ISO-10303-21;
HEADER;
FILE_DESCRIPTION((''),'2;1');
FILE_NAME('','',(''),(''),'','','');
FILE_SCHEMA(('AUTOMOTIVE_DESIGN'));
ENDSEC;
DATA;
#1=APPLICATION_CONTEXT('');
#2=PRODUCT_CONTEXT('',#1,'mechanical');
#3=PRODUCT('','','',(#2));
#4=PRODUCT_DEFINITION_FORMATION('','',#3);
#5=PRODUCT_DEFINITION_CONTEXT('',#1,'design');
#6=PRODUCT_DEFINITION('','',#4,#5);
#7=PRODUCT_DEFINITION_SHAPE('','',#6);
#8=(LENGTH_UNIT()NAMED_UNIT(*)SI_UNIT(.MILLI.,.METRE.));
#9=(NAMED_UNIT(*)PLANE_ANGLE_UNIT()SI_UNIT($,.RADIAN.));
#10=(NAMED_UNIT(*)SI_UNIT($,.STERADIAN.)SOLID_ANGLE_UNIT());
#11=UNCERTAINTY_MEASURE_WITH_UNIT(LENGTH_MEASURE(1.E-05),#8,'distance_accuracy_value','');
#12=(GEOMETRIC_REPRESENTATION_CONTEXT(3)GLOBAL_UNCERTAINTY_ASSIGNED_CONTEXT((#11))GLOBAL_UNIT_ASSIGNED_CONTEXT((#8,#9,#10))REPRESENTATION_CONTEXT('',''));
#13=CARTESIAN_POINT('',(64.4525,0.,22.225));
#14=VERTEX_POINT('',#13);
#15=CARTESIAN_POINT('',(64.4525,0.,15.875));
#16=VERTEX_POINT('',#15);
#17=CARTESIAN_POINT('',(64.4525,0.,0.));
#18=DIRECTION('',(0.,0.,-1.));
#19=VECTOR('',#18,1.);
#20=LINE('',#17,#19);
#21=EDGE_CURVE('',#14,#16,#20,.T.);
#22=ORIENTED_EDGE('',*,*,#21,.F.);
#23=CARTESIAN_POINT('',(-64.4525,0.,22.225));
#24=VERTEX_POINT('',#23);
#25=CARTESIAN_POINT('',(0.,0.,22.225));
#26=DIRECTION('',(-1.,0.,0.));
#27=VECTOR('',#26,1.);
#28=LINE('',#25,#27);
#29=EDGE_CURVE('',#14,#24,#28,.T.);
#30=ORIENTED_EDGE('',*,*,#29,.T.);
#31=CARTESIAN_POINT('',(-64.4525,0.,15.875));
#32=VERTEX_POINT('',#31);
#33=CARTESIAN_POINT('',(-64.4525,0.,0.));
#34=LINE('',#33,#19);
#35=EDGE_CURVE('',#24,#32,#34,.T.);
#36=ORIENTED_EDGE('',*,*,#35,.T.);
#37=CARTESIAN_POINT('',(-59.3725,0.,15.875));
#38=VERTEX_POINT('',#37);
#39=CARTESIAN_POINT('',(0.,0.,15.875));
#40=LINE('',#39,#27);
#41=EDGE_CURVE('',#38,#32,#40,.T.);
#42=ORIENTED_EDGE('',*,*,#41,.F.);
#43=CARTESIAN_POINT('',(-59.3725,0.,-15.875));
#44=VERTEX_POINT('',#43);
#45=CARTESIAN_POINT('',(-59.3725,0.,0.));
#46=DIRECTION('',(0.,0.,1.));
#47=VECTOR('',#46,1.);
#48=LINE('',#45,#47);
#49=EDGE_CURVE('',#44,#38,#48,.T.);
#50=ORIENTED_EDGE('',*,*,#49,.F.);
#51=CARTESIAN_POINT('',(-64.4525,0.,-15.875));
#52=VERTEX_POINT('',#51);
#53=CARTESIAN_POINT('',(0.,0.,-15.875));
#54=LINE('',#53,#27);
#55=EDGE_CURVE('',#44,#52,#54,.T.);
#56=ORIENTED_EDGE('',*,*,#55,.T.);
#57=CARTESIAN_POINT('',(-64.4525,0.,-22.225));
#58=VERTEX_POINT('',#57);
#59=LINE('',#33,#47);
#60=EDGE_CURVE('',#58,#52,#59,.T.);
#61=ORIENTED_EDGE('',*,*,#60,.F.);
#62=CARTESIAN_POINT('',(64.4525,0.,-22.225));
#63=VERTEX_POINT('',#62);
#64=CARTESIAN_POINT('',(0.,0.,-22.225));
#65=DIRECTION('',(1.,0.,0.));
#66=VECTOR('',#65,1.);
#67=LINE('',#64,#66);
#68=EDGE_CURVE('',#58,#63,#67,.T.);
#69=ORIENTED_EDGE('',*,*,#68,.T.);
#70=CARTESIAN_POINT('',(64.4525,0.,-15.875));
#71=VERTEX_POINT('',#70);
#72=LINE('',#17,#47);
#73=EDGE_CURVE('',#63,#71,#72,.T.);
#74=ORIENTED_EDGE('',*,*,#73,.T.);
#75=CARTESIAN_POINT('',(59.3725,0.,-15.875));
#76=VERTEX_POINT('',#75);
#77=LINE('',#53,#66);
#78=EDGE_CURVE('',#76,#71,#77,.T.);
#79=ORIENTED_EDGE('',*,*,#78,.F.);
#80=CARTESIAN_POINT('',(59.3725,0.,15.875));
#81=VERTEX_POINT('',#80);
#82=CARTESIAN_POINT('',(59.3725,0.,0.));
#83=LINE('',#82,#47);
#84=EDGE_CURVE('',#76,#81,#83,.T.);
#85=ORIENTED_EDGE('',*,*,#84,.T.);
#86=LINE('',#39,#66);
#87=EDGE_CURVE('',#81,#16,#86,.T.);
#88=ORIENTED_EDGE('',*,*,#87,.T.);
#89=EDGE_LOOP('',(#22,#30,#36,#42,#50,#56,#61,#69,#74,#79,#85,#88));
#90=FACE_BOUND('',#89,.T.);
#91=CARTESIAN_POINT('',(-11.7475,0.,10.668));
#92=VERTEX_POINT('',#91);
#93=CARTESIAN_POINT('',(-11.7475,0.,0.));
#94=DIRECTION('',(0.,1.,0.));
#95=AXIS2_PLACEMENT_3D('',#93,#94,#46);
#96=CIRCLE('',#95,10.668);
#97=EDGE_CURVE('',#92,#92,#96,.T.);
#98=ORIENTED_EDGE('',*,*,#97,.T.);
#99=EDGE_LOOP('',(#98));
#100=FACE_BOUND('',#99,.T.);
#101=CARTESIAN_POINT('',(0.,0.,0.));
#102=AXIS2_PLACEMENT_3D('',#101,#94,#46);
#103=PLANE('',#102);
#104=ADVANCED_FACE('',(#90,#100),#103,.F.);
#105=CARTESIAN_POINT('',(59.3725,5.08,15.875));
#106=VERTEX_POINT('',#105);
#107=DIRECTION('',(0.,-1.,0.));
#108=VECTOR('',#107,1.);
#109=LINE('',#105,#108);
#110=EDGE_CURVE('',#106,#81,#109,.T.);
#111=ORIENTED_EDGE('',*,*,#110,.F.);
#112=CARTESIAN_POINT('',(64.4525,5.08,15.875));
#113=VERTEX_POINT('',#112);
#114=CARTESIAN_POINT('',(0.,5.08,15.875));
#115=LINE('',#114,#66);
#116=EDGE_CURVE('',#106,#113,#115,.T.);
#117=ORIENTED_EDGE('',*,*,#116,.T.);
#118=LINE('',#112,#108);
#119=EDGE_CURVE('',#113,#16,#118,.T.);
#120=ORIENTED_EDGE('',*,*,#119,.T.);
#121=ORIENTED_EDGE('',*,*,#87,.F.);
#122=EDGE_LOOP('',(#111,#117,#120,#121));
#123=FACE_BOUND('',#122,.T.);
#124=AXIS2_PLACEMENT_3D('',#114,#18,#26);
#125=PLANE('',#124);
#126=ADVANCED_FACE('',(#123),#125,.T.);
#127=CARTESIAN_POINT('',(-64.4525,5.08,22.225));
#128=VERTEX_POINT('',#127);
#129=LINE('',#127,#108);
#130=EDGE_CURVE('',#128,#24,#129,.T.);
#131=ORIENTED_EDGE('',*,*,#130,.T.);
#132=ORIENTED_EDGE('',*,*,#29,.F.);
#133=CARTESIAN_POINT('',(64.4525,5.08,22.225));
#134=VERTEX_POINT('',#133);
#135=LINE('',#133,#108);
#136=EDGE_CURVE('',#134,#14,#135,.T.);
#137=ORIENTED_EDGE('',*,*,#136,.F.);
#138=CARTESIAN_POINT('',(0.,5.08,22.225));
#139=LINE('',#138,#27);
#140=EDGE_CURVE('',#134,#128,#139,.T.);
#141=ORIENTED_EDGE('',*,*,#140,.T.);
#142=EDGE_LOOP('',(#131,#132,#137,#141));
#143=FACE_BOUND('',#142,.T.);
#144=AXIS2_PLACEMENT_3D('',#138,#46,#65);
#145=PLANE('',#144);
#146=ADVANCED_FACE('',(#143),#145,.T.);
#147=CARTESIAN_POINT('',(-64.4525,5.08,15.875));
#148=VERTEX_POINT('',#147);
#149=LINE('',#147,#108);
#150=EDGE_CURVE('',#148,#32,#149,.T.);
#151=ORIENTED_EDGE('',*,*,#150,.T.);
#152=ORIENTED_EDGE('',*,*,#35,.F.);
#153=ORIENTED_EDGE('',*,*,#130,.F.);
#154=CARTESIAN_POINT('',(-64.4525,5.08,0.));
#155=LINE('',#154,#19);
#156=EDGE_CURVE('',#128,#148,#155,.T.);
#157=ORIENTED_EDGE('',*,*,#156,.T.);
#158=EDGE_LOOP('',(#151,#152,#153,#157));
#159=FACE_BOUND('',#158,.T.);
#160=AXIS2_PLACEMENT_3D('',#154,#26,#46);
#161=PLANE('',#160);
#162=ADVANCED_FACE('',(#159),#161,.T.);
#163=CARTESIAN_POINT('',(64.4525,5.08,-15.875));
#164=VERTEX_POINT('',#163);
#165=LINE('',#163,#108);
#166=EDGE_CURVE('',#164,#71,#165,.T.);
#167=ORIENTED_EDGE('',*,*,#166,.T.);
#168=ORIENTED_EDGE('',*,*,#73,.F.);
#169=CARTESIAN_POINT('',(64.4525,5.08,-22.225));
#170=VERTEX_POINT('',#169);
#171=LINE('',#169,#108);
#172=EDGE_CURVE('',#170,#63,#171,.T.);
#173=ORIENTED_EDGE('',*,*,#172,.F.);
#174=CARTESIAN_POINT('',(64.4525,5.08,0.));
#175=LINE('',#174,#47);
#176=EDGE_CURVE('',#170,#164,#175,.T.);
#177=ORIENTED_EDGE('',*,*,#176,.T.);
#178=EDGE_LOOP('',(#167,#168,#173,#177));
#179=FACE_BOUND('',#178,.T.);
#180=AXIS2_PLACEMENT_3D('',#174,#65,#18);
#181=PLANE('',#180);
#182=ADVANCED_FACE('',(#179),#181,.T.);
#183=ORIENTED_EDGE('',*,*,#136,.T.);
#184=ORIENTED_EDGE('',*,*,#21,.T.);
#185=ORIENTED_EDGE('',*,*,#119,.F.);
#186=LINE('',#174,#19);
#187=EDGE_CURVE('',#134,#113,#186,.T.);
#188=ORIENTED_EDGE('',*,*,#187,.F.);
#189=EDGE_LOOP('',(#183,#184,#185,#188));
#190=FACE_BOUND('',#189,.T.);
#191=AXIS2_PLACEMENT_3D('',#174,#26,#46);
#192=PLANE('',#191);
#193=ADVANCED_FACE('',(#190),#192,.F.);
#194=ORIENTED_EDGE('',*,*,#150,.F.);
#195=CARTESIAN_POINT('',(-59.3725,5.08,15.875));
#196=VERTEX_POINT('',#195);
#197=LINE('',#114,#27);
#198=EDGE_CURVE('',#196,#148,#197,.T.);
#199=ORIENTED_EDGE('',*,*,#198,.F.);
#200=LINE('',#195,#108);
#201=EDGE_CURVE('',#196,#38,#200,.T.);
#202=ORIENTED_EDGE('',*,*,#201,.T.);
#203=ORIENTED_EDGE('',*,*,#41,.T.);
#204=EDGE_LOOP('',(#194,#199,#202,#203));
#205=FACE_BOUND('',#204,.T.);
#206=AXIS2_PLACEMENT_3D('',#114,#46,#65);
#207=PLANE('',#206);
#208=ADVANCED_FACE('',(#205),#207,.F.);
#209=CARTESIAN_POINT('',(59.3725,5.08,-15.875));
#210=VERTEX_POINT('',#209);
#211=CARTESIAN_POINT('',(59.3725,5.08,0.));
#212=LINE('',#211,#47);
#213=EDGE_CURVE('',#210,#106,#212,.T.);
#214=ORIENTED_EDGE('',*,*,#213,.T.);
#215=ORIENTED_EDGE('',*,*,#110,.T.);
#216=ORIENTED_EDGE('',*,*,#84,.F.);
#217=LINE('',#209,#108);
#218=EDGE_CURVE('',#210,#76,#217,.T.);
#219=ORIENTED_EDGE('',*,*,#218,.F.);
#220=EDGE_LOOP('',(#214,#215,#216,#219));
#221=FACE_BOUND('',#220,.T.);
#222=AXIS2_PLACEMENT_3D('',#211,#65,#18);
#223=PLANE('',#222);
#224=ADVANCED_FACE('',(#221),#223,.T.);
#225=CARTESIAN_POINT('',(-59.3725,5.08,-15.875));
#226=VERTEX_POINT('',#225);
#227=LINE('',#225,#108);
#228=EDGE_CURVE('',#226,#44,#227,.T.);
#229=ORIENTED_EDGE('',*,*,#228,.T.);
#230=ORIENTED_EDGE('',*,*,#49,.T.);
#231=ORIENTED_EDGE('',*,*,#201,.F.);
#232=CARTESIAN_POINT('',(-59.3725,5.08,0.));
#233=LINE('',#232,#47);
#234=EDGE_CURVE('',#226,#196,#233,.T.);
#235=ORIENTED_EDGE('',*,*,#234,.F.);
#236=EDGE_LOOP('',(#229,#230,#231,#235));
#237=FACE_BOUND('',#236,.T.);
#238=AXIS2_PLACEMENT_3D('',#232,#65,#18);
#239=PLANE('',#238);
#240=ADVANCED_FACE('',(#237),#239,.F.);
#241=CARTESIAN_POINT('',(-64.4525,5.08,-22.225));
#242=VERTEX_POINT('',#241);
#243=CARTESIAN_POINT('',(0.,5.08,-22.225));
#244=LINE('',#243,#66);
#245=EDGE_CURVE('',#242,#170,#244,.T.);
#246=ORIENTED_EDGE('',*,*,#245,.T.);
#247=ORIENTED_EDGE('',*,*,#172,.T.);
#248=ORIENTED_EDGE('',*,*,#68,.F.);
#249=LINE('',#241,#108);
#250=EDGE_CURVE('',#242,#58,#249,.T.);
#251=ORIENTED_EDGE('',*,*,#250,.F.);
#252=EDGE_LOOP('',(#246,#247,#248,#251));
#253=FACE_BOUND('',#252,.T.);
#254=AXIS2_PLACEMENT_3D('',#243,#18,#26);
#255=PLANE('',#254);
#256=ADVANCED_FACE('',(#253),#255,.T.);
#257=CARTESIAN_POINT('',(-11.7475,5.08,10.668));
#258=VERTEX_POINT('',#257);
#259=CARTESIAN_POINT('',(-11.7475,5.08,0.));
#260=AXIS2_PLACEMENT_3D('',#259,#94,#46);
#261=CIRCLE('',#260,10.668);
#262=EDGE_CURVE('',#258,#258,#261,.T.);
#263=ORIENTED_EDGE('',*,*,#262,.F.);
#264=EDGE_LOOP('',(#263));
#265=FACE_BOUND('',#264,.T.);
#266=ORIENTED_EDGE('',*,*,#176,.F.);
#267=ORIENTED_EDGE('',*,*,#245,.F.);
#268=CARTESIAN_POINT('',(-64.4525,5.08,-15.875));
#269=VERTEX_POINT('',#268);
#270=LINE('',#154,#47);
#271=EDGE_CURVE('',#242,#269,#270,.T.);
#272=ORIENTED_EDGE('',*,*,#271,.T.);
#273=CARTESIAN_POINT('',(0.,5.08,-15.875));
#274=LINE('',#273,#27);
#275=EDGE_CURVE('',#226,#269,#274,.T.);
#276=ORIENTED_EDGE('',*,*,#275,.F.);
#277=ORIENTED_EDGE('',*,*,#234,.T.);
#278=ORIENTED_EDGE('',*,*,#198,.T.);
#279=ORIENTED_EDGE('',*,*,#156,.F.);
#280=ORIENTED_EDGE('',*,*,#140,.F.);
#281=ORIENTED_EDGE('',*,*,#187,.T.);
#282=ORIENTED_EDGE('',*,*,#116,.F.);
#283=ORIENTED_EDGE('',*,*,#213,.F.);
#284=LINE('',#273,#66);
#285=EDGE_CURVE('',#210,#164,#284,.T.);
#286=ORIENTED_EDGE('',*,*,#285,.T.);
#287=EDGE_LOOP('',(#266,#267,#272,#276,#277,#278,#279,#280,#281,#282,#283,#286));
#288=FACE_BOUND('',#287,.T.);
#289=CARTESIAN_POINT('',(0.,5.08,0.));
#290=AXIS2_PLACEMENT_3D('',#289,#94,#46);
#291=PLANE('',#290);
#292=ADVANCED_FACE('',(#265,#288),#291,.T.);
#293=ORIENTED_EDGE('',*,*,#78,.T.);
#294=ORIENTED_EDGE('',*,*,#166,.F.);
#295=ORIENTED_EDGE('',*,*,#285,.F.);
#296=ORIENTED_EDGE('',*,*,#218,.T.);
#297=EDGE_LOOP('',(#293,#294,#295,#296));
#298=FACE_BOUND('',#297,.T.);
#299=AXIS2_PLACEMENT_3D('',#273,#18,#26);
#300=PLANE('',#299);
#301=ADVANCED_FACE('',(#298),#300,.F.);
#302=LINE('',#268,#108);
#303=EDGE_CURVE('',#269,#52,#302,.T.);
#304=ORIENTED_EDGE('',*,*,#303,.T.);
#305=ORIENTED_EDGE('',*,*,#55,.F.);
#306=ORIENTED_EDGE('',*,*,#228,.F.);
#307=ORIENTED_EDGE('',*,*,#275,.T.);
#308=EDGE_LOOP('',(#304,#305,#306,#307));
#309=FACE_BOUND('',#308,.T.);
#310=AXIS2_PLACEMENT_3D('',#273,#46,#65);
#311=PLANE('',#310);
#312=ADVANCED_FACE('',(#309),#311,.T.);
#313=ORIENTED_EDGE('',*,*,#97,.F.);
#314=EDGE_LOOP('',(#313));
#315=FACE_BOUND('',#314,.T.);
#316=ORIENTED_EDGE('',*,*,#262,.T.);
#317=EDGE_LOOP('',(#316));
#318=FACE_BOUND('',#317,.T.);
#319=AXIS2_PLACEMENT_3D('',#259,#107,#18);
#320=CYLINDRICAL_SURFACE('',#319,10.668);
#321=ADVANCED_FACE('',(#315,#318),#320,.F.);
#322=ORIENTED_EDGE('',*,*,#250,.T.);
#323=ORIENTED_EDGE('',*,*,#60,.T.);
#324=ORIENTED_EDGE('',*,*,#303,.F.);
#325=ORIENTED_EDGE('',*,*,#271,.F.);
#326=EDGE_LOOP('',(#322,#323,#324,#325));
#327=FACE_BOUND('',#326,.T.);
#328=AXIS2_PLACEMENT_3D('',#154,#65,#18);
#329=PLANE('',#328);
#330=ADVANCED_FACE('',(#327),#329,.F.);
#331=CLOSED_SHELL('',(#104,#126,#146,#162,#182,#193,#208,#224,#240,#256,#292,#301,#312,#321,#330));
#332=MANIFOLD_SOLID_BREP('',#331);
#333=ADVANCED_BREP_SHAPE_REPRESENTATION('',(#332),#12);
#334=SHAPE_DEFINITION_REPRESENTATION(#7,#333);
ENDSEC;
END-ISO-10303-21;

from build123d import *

# Parameters (mm, degrees)
SKETCH1_W           = 5.08
SKETCH1_H           = 6.35
SKETCH1_W_2         = 118.745
SKETCH1_H_2         = 44.45
SKETCH1_R           = 10.668
BOSS_EXTRUDE1_DEPTH = 5.08


with BuildPart() as part:
    # Sketch1 → Boss-Extrude1 (new body)
    with BuildSketch(Plane(origin=(0, 0, 0), x_dir=(1, 0, 0), z_dir=(0, 1, 0))):
        with Locations((-61.9125, -19.05)):
            Rectangle(SKETCH1_W, SKETCH1_H)
        with Locations((-61.9125, 19.05)):
            Rectangle(SKETCH1_W, SKETCH1_H)
        Rectangle(SKETCH1_W_2, SKETCH1_H_2)
        with Locations((-11.7475, 0)):
            Circle(SKETCH1_R, mode=Mode.SUBTRACT)
        with Locations((61.9125, 19.05)):
            Rectangle(SKETCH1_W, SKETCH1_H)
        with Locations((61.9125, -19.05)):
            Rectangle(SKETCH1_W, SKETCH1_H)
    extrude(amount=BOSS_EXTRUDE1_DEPTH)


solid = part.part
